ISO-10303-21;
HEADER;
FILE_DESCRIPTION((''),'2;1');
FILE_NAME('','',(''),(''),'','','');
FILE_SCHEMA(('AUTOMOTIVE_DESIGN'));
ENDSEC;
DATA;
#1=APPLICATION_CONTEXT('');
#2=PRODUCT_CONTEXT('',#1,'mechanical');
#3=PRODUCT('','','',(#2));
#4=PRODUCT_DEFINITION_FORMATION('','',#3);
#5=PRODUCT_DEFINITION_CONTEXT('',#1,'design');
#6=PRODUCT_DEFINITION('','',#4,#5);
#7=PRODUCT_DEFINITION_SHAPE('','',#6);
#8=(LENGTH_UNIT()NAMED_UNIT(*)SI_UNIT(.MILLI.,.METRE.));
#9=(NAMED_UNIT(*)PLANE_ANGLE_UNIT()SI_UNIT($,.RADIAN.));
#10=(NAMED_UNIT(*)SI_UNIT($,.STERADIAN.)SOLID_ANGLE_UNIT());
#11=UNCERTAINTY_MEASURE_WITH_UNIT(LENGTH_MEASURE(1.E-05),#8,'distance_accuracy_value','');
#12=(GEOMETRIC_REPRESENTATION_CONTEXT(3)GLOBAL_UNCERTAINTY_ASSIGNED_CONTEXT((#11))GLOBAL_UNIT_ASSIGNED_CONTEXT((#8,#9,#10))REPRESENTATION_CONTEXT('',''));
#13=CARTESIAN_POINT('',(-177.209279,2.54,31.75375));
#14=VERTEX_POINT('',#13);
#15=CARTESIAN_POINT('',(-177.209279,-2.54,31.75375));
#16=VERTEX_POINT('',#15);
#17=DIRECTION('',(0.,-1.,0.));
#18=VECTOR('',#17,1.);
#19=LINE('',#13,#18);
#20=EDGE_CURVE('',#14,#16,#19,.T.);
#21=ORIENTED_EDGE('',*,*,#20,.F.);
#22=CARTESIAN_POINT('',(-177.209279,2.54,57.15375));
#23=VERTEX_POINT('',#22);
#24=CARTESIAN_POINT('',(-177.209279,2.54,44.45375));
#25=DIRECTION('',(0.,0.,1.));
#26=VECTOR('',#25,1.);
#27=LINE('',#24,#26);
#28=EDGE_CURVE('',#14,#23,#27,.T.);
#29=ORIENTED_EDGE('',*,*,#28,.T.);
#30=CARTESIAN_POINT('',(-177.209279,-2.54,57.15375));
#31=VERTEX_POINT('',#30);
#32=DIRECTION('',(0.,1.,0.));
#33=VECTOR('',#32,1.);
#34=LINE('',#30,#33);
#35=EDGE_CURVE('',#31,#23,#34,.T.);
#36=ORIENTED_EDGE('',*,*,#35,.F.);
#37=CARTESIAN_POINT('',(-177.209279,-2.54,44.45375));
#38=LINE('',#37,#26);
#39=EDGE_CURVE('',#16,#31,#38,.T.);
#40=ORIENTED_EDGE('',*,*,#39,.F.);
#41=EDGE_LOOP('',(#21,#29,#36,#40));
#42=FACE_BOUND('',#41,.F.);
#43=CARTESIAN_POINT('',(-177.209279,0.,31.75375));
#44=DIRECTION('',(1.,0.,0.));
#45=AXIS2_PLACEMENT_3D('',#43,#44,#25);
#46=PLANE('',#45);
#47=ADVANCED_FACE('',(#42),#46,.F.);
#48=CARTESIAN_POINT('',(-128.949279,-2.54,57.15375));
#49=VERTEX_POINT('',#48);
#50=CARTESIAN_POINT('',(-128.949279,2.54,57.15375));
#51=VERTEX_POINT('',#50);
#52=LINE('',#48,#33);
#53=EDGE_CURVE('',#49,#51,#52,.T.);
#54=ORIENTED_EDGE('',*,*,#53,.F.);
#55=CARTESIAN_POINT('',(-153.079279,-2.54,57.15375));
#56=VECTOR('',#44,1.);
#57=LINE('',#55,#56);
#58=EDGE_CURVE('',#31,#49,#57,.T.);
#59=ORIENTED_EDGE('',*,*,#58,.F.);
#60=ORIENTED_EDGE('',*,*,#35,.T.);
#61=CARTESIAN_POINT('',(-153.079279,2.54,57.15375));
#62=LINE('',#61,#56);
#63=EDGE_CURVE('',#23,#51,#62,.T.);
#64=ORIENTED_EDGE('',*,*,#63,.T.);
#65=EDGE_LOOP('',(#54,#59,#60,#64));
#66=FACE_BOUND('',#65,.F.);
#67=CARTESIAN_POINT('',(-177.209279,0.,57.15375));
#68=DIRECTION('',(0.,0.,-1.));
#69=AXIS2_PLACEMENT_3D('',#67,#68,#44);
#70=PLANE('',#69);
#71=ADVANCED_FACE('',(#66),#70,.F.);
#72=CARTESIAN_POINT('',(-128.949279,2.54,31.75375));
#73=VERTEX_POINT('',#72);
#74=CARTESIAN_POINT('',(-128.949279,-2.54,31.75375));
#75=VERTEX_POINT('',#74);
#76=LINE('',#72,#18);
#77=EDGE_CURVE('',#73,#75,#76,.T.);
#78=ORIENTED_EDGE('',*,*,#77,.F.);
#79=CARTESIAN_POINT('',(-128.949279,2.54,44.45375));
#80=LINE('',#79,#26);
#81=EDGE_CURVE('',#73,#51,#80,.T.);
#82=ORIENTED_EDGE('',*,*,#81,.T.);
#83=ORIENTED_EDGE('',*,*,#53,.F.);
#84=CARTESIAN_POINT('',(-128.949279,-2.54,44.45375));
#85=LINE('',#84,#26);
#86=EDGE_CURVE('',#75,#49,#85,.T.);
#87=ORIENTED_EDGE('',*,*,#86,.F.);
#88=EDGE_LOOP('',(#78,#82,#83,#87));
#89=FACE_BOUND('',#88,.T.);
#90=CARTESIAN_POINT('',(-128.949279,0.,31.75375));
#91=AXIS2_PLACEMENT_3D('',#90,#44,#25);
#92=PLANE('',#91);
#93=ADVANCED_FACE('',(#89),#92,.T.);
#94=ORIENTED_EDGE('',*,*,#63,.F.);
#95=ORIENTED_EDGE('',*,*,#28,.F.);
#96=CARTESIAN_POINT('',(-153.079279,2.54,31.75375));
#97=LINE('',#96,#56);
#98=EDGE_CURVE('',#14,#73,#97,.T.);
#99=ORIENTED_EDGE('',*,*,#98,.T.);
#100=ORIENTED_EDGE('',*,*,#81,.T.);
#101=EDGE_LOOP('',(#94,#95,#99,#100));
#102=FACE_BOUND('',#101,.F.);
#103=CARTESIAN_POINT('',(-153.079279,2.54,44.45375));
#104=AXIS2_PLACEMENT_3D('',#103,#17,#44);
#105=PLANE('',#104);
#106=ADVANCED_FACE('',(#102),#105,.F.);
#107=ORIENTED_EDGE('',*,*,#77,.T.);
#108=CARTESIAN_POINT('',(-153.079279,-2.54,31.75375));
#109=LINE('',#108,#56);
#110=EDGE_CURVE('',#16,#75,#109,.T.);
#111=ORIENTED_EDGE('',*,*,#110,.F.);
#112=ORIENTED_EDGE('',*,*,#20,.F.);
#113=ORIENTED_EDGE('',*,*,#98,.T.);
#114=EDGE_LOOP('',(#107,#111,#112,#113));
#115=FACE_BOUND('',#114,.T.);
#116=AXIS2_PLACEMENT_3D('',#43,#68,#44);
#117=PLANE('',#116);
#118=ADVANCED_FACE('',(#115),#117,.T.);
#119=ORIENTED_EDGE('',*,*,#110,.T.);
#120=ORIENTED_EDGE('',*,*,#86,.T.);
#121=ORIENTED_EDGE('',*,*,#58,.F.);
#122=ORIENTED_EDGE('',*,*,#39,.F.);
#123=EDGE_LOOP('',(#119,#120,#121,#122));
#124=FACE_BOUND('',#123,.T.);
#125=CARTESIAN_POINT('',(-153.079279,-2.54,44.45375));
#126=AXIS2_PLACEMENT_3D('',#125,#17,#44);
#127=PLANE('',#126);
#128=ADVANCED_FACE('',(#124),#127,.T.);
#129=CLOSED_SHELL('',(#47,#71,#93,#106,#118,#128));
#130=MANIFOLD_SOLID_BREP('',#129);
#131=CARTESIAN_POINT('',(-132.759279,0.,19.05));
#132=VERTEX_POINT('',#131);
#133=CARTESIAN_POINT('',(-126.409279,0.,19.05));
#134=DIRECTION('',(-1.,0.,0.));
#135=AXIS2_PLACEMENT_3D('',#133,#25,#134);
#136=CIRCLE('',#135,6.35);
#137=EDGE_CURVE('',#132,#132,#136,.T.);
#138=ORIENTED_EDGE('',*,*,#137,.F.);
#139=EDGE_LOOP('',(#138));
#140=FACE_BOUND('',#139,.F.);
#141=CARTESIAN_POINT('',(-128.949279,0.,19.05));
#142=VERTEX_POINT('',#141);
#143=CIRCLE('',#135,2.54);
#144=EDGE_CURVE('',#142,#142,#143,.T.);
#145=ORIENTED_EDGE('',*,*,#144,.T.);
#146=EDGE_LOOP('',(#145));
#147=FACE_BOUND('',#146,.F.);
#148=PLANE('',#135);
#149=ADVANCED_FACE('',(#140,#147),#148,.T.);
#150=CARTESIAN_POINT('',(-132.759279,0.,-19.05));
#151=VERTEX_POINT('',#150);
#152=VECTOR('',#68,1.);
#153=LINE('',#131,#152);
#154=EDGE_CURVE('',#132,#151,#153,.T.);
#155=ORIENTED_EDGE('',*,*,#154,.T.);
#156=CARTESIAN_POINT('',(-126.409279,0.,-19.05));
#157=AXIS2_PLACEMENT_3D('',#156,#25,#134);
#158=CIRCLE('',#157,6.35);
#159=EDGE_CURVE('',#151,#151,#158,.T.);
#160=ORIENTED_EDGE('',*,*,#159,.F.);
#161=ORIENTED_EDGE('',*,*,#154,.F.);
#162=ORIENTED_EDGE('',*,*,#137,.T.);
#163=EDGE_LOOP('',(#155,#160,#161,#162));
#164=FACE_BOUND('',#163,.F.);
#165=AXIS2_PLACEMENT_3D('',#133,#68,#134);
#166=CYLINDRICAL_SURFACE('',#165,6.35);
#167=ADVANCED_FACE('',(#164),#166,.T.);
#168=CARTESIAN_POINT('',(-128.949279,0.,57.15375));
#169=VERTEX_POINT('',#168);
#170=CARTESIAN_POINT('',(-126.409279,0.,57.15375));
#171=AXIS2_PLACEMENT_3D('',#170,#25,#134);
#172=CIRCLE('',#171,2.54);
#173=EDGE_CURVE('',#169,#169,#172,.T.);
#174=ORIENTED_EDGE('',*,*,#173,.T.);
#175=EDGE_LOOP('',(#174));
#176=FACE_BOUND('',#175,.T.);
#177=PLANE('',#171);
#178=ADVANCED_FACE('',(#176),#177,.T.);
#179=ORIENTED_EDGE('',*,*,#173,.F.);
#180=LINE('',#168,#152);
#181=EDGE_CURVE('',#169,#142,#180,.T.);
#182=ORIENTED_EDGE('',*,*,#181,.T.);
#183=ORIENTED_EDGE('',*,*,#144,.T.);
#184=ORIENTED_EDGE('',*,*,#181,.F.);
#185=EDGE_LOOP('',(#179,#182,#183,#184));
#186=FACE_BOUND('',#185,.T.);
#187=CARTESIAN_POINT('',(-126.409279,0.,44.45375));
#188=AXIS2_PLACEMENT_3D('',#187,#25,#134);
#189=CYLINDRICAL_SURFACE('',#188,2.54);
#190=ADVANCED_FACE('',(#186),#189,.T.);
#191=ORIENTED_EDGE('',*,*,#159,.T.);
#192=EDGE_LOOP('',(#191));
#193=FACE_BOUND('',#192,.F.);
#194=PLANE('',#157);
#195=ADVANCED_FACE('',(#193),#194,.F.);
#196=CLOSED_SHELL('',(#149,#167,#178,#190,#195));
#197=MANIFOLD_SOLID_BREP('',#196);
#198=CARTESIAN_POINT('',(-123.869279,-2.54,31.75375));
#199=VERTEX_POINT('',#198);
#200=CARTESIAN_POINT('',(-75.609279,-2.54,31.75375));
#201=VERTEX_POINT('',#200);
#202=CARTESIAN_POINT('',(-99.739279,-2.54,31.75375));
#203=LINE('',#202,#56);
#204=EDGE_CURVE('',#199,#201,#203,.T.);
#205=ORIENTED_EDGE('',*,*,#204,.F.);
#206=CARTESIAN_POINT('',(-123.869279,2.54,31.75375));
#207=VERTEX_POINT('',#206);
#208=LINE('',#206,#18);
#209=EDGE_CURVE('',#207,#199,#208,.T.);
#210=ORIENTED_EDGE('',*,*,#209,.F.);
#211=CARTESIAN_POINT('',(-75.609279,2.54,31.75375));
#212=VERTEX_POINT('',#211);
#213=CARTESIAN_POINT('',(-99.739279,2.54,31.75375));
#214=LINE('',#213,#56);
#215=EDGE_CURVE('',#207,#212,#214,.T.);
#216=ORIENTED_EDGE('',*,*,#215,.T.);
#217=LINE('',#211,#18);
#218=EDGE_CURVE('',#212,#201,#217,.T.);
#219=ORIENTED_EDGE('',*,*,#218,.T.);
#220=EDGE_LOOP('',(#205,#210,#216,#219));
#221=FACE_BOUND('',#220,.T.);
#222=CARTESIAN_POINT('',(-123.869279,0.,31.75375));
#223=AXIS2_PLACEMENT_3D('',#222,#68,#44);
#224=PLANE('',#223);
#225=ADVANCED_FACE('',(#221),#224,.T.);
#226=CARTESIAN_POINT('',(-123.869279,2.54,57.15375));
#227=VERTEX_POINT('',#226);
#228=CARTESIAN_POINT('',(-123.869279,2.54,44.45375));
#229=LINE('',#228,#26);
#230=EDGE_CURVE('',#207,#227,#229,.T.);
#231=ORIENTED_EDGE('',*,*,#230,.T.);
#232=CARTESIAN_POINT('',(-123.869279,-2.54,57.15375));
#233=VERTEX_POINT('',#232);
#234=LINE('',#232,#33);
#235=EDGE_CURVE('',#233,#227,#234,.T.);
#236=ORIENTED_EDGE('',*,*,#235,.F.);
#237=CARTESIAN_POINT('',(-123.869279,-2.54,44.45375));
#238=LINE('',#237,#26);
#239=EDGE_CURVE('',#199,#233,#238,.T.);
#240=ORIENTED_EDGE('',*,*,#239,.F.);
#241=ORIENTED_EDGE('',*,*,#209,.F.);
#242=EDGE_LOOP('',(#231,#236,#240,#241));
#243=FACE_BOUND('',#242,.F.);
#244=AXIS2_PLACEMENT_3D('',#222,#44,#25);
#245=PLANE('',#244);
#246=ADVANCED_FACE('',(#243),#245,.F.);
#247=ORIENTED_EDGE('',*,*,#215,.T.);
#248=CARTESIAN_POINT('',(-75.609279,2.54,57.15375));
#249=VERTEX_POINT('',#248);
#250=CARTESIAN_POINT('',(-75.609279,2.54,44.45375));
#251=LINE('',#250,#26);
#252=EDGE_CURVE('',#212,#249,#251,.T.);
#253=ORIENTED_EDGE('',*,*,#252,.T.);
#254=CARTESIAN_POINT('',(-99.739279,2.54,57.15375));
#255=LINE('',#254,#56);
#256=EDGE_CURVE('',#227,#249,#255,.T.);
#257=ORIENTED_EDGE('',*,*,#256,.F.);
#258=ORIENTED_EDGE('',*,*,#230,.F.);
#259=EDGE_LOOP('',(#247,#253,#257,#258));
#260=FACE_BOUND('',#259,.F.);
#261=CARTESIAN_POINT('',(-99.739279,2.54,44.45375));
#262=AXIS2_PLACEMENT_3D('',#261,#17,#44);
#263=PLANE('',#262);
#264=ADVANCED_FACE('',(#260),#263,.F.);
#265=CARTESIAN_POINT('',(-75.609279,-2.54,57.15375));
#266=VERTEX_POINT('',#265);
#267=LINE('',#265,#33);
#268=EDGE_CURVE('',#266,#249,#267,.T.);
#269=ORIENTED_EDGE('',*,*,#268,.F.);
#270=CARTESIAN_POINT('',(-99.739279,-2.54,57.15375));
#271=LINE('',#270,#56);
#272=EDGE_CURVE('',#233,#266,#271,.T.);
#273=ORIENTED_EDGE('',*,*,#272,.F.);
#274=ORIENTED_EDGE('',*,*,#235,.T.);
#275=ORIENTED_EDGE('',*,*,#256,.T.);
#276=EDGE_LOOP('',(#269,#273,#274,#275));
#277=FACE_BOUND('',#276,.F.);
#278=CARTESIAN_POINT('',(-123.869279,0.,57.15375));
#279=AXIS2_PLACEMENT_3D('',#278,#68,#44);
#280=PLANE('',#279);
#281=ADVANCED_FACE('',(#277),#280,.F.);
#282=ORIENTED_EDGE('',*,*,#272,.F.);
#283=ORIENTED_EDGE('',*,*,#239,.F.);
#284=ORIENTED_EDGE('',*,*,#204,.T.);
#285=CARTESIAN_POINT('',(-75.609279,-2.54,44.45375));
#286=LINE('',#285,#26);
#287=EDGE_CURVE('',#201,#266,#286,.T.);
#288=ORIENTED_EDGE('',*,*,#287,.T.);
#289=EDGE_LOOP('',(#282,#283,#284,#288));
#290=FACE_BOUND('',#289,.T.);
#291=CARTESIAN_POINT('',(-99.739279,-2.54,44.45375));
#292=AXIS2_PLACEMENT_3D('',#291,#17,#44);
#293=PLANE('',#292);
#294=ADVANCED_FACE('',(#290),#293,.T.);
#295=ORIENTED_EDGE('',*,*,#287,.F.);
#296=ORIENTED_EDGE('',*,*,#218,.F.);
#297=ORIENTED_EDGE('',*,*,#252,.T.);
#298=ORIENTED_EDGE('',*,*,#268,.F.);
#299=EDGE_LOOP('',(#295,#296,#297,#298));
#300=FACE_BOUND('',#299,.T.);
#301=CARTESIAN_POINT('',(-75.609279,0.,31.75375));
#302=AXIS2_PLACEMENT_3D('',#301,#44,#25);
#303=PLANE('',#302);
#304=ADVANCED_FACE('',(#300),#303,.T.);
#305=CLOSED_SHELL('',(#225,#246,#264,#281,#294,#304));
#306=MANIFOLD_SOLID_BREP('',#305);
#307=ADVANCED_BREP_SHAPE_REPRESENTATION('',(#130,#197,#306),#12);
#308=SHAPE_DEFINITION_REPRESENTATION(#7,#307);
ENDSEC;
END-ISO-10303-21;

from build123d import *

# Parameters (mm, degrees)
F0_W     = 2.54
F0_H     = 12.7037496686
F0_H_2   = 25.4
F0_W_2   = 48.26
F4_DEPTH = 2.54


with BuildPart() as f1:
    # F0 (on Front) → F1 (revolve)
    with BuildSketch(Plane.XZ):
        Polygon((-126.4092789139, -19.05), (-126.4092789139, 0), (-126.4092789139, 12.7), (-126.4092789139, 19.05), (-128.9492789139, 19.05), (-132.7592789139, 19.05), (-132.7592789139, -19.05), align=None)
    revolve(axis=Axis((-126.4092789139, 0, 6.35), (0, 0, 1)))

    # F0 (on Front) → F2 (revolve)
    with BuildSketch(Plane.XZ):
        with Locations((-127.6792789139, 25.4018748343)):
            Rectangle(F0_W, F0_H)
    revolve(axis=Axis((-126.4092789139, 0, 38.1018748343), (0, 0, 1)))

    # F0 (on Front) → F3 (revolve)
    with BuildSketch(Plane.XZ):
        with Locations((-127.6792789139, 44.4537496686)):
            Rectangle(F0_W, F0_H_2)
    revolve(axis=Axis((-126.4092789139, 0, 38.1018748343), (0, 0, 1)))


with BuildPart() as f4:
    # F0 (on Front) → F4 (new body, symmetric)
    with BuildSketch(Plane.XZ):
        with Locations((-153.0792789139, 44.4537496686)):
            Rectangle(F0_W_2, F0_H_2)
    extrude(amount=F4_DEPTH, both=True)


with BuildPart() as f4b:
    # F0 (on Front) → F4, piece 2 (new body, symmetric)
    with BuildSketch(Plane.XZ):
        with Locations((-99.7392789139, 44.4537496686)):
            Rectangle(F0_W_2, F0_H_2)
    extrude(amount=F4_DEPTH, both=True)


solid = Compound([f1.part, f4.part, f4b.part])
